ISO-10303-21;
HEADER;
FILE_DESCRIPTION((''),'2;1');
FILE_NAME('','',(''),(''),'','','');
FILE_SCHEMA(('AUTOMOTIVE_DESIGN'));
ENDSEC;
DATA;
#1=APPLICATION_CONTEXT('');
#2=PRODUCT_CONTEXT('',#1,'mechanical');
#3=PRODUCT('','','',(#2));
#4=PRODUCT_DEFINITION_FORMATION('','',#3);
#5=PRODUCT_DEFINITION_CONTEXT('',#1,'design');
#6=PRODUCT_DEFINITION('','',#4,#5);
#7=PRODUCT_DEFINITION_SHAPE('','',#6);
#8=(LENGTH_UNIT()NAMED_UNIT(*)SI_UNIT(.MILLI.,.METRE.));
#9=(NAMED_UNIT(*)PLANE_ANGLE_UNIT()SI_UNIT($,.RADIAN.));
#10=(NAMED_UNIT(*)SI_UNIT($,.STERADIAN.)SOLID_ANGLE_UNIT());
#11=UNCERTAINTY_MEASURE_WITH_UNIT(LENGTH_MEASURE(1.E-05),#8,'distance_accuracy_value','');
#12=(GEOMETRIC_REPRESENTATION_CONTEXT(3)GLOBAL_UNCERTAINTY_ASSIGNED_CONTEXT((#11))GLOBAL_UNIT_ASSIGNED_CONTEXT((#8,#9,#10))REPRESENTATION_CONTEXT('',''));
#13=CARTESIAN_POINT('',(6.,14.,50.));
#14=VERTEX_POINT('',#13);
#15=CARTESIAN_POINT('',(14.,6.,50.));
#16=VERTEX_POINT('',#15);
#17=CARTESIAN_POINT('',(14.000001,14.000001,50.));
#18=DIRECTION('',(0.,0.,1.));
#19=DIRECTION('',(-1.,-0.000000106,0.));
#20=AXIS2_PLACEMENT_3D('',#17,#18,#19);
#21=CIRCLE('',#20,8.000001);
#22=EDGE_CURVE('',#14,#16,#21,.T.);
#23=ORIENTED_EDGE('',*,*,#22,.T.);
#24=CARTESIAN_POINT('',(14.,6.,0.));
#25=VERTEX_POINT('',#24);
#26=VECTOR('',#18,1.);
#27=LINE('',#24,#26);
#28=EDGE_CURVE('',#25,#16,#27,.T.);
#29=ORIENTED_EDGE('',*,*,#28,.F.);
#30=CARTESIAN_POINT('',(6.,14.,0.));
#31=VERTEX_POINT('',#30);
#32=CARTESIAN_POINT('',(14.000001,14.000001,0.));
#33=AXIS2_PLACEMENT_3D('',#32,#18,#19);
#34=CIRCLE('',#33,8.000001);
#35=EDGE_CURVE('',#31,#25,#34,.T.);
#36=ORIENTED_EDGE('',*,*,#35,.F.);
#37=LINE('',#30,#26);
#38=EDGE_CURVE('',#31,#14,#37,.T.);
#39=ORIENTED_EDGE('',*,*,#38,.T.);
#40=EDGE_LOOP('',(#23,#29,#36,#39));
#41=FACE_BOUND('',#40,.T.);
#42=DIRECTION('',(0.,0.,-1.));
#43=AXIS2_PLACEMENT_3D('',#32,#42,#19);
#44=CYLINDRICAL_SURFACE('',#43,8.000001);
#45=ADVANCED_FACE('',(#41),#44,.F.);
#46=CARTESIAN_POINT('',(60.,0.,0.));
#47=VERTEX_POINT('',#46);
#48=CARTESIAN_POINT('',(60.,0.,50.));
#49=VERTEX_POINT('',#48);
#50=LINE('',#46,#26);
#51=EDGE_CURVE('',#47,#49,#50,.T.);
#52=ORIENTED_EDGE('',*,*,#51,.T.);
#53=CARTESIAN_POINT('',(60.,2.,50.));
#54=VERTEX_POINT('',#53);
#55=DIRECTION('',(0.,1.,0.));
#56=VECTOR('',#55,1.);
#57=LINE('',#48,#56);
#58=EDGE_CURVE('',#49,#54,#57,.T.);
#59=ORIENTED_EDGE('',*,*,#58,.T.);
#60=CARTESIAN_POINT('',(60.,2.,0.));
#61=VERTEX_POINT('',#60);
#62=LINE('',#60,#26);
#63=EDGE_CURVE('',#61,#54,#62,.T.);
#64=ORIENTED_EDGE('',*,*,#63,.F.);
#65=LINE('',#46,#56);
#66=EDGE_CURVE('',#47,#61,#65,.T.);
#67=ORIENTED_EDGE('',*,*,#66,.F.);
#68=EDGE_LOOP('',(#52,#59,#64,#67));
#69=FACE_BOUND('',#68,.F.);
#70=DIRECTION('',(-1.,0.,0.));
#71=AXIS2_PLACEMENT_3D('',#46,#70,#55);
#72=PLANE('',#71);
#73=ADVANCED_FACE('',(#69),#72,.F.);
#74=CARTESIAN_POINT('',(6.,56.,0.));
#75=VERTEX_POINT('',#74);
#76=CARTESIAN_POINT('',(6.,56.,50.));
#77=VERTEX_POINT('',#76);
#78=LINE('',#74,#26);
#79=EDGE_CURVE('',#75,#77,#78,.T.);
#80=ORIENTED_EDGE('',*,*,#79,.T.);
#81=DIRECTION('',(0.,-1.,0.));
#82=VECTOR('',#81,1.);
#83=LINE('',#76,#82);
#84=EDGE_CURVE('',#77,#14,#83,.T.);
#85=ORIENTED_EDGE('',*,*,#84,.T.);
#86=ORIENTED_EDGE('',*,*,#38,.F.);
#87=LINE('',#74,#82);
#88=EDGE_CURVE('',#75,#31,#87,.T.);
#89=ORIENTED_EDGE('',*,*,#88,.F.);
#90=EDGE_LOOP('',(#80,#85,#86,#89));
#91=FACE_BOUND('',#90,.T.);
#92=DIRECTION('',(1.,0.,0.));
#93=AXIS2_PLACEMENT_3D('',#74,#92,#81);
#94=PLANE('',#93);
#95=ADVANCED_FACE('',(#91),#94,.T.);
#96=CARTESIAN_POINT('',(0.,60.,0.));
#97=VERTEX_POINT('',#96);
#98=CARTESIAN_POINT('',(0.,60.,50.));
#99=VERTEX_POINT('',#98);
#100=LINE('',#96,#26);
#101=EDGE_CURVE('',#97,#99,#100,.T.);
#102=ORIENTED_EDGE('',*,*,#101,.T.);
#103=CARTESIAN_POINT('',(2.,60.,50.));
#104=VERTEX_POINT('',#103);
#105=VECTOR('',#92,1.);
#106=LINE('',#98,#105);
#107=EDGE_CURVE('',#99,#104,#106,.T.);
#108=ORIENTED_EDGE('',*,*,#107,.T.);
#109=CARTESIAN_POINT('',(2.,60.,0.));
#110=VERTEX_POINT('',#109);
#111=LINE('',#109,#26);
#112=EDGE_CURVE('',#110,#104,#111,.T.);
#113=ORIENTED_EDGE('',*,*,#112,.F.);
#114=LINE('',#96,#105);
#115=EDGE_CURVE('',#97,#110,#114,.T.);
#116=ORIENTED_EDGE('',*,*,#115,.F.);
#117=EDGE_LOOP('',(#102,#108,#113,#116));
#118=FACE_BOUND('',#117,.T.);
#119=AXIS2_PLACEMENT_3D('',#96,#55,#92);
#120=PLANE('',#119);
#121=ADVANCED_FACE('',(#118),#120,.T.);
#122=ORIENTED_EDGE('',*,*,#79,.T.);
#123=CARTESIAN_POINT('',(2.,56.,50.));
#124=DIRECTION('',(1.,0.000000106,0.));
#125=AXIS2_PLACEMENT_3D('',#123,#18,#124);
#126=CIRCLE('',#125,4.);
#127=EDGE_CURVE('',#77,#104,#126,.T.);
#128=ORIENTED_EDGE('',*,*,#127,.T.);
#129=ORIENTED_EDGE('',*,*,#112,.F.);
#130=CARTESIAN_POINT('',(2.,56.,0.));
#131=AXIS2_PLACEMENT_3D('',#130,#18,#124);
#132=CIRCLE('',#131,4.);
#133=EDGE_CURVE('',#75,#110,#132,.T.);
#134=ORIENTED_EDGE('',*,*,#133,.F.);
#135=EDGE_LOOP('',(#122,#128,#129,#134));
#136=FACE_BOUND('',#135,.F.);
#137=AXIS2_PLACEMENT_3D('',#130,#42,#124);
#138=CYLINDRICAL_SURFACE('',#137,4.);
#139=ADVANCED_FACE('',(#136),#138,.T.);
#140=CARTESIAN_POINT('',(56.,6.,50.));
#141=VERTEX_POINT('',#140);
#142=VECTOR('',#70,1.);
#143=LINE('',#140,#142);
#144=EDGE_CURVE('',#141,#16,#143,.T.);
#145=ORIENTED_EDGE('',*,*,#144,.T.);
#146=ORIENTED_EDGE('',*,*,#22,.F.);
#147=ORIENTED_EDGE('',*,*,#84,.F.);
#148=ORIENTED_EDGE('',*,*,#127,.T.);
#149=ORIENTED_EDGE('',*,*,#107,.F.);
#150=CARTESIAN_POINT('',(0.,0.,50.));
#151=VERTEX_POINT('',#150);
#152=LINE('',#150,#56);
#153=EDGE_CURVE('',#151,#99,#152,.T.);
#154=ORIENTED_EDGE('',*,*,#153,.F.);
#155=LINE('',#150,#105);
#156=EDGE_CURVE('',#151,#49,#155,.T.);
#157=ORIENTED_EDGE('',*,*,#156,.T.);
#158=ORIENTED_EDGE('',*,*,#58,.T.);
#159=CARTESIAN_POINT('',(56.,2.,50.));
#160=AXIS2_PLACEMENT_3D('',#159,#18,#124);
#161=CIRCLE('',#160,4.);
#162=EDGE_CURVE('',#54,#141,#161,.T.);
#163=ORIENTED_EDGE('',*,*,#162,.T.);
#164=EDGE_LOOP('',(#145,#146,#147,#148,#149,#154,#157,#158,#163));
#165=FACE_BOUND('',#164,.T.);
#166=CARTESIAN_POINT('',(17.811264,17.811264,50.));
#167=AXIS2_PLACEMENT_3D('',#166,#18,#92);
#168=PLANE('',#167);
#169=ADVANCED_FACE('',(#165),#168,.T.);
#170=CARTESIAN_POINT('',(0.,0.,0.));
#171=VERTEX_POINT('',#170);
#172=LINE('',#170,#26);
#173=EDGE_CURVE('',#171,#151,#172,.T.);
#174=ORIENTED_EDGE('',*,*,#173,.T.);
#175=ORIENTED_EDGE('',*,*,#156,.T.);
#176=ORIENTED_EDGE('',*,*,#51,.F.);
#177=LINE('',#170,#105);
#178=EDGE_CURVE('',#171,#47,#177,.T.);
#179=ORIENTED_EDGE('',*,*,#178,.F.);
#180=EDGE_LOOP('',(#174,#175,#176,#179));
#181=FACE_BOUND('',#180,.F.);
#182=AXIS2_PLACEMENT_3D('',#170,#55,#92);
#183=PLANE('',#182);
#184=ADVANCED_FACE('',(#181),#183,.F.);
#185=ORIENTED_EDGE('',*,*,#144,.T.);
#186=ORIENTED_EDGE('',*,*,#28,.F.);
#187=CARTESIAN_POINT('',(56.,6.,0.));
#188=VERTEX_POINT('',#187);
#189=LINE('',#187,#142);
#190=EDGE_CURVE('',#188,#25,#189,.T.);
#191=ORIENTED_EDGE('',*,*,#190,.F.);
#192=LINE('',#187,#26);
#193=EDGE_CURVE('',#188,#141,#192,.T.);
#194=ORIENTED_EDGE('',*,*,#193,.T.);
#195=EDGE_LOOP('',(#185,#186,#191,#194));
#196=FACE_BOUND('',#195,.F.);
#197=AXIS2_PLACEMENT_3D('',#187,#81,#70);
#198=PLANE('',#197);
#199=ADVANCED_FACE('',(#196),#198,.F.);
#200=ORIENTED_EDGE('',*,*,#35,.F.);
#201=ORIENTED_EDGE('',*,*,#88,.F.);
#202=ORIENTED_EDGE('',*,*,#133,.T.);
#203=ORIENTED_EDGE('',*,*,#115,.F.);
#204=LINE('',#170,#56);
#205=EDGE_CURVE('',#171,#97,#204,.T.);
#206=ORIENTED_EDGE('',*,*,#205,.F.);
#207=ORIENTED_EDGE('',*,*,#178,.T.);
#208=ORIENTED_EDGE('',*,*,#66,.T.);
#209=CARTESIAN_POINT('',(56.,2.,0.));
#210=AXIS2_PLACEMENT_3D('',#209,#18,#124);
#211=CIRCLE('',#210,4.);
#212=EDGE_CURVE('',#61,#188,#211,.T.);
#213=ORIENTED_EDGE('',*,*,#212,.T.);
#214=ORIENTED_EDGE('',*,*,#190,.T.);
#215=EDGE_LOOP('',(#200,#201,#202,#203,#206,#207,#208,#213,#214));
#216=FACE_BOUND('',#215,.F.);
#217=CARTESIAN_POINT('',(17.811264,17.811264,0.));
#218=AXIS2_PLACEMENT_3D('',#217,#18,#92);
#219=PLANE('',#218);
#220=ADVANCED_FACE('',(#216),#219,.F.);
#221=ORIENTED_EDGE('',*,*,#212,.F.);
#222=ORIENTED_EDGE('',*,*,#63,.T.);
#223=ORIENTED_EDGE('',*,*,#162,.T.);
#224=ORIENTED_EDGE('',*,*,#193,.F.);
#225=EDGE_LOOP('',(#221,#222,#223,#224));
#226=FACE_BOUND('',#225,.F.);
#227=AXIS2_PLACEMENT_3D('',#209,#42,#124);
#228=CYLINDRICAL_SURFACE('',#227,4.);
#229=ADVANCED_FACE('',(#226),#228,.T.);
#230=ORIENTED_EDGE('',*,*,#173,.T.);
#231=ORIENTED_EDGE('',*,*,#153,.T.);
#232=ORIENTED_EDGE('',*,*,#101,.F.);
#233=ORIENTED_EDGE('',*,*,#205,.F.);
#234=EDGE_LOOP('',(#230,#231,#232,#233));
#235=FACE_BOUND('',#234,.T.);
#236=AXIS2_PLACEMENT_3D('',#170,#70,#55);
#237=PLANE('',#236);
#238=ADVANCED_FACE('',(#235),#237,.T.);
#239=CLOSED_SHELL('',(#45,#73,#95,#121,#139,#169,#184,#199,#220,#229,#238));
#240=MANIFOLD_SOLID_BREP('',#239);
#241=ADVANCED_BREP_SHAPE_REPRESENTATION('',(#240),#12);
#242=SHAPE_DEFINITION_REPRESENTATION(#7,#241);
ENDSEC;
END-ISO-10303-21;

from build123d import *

# Parameters (mm, degrees)
EXTRUDE_DEPTH = 50


with BuildPart() as part:
    # Sketch → Extrude (new body)
    with BuildSketch(Plane.XY):
        with BuildLine():
            Line((0, 0), (60, 0))
            Line((60, 0), (60, 2))
            ThreePointArc((60, 2), (58.828427, 4.828427), (56, 6))
            Line((56, 6), (14, 6))
            ThreePointArc((6, 14), (8.343146, 8.343146), (14, 6))
            Line((6, 56), (6, 14))
            ThreePointArc((6, 56), (4.828427, 58.828427), (2, 60))
            Line((0, 60), (2, 60))
            Line((0, 0), (0, 60))
        make_face()
    extrude(amount=EXTRUDE_DEPTH)


solid = part.part
